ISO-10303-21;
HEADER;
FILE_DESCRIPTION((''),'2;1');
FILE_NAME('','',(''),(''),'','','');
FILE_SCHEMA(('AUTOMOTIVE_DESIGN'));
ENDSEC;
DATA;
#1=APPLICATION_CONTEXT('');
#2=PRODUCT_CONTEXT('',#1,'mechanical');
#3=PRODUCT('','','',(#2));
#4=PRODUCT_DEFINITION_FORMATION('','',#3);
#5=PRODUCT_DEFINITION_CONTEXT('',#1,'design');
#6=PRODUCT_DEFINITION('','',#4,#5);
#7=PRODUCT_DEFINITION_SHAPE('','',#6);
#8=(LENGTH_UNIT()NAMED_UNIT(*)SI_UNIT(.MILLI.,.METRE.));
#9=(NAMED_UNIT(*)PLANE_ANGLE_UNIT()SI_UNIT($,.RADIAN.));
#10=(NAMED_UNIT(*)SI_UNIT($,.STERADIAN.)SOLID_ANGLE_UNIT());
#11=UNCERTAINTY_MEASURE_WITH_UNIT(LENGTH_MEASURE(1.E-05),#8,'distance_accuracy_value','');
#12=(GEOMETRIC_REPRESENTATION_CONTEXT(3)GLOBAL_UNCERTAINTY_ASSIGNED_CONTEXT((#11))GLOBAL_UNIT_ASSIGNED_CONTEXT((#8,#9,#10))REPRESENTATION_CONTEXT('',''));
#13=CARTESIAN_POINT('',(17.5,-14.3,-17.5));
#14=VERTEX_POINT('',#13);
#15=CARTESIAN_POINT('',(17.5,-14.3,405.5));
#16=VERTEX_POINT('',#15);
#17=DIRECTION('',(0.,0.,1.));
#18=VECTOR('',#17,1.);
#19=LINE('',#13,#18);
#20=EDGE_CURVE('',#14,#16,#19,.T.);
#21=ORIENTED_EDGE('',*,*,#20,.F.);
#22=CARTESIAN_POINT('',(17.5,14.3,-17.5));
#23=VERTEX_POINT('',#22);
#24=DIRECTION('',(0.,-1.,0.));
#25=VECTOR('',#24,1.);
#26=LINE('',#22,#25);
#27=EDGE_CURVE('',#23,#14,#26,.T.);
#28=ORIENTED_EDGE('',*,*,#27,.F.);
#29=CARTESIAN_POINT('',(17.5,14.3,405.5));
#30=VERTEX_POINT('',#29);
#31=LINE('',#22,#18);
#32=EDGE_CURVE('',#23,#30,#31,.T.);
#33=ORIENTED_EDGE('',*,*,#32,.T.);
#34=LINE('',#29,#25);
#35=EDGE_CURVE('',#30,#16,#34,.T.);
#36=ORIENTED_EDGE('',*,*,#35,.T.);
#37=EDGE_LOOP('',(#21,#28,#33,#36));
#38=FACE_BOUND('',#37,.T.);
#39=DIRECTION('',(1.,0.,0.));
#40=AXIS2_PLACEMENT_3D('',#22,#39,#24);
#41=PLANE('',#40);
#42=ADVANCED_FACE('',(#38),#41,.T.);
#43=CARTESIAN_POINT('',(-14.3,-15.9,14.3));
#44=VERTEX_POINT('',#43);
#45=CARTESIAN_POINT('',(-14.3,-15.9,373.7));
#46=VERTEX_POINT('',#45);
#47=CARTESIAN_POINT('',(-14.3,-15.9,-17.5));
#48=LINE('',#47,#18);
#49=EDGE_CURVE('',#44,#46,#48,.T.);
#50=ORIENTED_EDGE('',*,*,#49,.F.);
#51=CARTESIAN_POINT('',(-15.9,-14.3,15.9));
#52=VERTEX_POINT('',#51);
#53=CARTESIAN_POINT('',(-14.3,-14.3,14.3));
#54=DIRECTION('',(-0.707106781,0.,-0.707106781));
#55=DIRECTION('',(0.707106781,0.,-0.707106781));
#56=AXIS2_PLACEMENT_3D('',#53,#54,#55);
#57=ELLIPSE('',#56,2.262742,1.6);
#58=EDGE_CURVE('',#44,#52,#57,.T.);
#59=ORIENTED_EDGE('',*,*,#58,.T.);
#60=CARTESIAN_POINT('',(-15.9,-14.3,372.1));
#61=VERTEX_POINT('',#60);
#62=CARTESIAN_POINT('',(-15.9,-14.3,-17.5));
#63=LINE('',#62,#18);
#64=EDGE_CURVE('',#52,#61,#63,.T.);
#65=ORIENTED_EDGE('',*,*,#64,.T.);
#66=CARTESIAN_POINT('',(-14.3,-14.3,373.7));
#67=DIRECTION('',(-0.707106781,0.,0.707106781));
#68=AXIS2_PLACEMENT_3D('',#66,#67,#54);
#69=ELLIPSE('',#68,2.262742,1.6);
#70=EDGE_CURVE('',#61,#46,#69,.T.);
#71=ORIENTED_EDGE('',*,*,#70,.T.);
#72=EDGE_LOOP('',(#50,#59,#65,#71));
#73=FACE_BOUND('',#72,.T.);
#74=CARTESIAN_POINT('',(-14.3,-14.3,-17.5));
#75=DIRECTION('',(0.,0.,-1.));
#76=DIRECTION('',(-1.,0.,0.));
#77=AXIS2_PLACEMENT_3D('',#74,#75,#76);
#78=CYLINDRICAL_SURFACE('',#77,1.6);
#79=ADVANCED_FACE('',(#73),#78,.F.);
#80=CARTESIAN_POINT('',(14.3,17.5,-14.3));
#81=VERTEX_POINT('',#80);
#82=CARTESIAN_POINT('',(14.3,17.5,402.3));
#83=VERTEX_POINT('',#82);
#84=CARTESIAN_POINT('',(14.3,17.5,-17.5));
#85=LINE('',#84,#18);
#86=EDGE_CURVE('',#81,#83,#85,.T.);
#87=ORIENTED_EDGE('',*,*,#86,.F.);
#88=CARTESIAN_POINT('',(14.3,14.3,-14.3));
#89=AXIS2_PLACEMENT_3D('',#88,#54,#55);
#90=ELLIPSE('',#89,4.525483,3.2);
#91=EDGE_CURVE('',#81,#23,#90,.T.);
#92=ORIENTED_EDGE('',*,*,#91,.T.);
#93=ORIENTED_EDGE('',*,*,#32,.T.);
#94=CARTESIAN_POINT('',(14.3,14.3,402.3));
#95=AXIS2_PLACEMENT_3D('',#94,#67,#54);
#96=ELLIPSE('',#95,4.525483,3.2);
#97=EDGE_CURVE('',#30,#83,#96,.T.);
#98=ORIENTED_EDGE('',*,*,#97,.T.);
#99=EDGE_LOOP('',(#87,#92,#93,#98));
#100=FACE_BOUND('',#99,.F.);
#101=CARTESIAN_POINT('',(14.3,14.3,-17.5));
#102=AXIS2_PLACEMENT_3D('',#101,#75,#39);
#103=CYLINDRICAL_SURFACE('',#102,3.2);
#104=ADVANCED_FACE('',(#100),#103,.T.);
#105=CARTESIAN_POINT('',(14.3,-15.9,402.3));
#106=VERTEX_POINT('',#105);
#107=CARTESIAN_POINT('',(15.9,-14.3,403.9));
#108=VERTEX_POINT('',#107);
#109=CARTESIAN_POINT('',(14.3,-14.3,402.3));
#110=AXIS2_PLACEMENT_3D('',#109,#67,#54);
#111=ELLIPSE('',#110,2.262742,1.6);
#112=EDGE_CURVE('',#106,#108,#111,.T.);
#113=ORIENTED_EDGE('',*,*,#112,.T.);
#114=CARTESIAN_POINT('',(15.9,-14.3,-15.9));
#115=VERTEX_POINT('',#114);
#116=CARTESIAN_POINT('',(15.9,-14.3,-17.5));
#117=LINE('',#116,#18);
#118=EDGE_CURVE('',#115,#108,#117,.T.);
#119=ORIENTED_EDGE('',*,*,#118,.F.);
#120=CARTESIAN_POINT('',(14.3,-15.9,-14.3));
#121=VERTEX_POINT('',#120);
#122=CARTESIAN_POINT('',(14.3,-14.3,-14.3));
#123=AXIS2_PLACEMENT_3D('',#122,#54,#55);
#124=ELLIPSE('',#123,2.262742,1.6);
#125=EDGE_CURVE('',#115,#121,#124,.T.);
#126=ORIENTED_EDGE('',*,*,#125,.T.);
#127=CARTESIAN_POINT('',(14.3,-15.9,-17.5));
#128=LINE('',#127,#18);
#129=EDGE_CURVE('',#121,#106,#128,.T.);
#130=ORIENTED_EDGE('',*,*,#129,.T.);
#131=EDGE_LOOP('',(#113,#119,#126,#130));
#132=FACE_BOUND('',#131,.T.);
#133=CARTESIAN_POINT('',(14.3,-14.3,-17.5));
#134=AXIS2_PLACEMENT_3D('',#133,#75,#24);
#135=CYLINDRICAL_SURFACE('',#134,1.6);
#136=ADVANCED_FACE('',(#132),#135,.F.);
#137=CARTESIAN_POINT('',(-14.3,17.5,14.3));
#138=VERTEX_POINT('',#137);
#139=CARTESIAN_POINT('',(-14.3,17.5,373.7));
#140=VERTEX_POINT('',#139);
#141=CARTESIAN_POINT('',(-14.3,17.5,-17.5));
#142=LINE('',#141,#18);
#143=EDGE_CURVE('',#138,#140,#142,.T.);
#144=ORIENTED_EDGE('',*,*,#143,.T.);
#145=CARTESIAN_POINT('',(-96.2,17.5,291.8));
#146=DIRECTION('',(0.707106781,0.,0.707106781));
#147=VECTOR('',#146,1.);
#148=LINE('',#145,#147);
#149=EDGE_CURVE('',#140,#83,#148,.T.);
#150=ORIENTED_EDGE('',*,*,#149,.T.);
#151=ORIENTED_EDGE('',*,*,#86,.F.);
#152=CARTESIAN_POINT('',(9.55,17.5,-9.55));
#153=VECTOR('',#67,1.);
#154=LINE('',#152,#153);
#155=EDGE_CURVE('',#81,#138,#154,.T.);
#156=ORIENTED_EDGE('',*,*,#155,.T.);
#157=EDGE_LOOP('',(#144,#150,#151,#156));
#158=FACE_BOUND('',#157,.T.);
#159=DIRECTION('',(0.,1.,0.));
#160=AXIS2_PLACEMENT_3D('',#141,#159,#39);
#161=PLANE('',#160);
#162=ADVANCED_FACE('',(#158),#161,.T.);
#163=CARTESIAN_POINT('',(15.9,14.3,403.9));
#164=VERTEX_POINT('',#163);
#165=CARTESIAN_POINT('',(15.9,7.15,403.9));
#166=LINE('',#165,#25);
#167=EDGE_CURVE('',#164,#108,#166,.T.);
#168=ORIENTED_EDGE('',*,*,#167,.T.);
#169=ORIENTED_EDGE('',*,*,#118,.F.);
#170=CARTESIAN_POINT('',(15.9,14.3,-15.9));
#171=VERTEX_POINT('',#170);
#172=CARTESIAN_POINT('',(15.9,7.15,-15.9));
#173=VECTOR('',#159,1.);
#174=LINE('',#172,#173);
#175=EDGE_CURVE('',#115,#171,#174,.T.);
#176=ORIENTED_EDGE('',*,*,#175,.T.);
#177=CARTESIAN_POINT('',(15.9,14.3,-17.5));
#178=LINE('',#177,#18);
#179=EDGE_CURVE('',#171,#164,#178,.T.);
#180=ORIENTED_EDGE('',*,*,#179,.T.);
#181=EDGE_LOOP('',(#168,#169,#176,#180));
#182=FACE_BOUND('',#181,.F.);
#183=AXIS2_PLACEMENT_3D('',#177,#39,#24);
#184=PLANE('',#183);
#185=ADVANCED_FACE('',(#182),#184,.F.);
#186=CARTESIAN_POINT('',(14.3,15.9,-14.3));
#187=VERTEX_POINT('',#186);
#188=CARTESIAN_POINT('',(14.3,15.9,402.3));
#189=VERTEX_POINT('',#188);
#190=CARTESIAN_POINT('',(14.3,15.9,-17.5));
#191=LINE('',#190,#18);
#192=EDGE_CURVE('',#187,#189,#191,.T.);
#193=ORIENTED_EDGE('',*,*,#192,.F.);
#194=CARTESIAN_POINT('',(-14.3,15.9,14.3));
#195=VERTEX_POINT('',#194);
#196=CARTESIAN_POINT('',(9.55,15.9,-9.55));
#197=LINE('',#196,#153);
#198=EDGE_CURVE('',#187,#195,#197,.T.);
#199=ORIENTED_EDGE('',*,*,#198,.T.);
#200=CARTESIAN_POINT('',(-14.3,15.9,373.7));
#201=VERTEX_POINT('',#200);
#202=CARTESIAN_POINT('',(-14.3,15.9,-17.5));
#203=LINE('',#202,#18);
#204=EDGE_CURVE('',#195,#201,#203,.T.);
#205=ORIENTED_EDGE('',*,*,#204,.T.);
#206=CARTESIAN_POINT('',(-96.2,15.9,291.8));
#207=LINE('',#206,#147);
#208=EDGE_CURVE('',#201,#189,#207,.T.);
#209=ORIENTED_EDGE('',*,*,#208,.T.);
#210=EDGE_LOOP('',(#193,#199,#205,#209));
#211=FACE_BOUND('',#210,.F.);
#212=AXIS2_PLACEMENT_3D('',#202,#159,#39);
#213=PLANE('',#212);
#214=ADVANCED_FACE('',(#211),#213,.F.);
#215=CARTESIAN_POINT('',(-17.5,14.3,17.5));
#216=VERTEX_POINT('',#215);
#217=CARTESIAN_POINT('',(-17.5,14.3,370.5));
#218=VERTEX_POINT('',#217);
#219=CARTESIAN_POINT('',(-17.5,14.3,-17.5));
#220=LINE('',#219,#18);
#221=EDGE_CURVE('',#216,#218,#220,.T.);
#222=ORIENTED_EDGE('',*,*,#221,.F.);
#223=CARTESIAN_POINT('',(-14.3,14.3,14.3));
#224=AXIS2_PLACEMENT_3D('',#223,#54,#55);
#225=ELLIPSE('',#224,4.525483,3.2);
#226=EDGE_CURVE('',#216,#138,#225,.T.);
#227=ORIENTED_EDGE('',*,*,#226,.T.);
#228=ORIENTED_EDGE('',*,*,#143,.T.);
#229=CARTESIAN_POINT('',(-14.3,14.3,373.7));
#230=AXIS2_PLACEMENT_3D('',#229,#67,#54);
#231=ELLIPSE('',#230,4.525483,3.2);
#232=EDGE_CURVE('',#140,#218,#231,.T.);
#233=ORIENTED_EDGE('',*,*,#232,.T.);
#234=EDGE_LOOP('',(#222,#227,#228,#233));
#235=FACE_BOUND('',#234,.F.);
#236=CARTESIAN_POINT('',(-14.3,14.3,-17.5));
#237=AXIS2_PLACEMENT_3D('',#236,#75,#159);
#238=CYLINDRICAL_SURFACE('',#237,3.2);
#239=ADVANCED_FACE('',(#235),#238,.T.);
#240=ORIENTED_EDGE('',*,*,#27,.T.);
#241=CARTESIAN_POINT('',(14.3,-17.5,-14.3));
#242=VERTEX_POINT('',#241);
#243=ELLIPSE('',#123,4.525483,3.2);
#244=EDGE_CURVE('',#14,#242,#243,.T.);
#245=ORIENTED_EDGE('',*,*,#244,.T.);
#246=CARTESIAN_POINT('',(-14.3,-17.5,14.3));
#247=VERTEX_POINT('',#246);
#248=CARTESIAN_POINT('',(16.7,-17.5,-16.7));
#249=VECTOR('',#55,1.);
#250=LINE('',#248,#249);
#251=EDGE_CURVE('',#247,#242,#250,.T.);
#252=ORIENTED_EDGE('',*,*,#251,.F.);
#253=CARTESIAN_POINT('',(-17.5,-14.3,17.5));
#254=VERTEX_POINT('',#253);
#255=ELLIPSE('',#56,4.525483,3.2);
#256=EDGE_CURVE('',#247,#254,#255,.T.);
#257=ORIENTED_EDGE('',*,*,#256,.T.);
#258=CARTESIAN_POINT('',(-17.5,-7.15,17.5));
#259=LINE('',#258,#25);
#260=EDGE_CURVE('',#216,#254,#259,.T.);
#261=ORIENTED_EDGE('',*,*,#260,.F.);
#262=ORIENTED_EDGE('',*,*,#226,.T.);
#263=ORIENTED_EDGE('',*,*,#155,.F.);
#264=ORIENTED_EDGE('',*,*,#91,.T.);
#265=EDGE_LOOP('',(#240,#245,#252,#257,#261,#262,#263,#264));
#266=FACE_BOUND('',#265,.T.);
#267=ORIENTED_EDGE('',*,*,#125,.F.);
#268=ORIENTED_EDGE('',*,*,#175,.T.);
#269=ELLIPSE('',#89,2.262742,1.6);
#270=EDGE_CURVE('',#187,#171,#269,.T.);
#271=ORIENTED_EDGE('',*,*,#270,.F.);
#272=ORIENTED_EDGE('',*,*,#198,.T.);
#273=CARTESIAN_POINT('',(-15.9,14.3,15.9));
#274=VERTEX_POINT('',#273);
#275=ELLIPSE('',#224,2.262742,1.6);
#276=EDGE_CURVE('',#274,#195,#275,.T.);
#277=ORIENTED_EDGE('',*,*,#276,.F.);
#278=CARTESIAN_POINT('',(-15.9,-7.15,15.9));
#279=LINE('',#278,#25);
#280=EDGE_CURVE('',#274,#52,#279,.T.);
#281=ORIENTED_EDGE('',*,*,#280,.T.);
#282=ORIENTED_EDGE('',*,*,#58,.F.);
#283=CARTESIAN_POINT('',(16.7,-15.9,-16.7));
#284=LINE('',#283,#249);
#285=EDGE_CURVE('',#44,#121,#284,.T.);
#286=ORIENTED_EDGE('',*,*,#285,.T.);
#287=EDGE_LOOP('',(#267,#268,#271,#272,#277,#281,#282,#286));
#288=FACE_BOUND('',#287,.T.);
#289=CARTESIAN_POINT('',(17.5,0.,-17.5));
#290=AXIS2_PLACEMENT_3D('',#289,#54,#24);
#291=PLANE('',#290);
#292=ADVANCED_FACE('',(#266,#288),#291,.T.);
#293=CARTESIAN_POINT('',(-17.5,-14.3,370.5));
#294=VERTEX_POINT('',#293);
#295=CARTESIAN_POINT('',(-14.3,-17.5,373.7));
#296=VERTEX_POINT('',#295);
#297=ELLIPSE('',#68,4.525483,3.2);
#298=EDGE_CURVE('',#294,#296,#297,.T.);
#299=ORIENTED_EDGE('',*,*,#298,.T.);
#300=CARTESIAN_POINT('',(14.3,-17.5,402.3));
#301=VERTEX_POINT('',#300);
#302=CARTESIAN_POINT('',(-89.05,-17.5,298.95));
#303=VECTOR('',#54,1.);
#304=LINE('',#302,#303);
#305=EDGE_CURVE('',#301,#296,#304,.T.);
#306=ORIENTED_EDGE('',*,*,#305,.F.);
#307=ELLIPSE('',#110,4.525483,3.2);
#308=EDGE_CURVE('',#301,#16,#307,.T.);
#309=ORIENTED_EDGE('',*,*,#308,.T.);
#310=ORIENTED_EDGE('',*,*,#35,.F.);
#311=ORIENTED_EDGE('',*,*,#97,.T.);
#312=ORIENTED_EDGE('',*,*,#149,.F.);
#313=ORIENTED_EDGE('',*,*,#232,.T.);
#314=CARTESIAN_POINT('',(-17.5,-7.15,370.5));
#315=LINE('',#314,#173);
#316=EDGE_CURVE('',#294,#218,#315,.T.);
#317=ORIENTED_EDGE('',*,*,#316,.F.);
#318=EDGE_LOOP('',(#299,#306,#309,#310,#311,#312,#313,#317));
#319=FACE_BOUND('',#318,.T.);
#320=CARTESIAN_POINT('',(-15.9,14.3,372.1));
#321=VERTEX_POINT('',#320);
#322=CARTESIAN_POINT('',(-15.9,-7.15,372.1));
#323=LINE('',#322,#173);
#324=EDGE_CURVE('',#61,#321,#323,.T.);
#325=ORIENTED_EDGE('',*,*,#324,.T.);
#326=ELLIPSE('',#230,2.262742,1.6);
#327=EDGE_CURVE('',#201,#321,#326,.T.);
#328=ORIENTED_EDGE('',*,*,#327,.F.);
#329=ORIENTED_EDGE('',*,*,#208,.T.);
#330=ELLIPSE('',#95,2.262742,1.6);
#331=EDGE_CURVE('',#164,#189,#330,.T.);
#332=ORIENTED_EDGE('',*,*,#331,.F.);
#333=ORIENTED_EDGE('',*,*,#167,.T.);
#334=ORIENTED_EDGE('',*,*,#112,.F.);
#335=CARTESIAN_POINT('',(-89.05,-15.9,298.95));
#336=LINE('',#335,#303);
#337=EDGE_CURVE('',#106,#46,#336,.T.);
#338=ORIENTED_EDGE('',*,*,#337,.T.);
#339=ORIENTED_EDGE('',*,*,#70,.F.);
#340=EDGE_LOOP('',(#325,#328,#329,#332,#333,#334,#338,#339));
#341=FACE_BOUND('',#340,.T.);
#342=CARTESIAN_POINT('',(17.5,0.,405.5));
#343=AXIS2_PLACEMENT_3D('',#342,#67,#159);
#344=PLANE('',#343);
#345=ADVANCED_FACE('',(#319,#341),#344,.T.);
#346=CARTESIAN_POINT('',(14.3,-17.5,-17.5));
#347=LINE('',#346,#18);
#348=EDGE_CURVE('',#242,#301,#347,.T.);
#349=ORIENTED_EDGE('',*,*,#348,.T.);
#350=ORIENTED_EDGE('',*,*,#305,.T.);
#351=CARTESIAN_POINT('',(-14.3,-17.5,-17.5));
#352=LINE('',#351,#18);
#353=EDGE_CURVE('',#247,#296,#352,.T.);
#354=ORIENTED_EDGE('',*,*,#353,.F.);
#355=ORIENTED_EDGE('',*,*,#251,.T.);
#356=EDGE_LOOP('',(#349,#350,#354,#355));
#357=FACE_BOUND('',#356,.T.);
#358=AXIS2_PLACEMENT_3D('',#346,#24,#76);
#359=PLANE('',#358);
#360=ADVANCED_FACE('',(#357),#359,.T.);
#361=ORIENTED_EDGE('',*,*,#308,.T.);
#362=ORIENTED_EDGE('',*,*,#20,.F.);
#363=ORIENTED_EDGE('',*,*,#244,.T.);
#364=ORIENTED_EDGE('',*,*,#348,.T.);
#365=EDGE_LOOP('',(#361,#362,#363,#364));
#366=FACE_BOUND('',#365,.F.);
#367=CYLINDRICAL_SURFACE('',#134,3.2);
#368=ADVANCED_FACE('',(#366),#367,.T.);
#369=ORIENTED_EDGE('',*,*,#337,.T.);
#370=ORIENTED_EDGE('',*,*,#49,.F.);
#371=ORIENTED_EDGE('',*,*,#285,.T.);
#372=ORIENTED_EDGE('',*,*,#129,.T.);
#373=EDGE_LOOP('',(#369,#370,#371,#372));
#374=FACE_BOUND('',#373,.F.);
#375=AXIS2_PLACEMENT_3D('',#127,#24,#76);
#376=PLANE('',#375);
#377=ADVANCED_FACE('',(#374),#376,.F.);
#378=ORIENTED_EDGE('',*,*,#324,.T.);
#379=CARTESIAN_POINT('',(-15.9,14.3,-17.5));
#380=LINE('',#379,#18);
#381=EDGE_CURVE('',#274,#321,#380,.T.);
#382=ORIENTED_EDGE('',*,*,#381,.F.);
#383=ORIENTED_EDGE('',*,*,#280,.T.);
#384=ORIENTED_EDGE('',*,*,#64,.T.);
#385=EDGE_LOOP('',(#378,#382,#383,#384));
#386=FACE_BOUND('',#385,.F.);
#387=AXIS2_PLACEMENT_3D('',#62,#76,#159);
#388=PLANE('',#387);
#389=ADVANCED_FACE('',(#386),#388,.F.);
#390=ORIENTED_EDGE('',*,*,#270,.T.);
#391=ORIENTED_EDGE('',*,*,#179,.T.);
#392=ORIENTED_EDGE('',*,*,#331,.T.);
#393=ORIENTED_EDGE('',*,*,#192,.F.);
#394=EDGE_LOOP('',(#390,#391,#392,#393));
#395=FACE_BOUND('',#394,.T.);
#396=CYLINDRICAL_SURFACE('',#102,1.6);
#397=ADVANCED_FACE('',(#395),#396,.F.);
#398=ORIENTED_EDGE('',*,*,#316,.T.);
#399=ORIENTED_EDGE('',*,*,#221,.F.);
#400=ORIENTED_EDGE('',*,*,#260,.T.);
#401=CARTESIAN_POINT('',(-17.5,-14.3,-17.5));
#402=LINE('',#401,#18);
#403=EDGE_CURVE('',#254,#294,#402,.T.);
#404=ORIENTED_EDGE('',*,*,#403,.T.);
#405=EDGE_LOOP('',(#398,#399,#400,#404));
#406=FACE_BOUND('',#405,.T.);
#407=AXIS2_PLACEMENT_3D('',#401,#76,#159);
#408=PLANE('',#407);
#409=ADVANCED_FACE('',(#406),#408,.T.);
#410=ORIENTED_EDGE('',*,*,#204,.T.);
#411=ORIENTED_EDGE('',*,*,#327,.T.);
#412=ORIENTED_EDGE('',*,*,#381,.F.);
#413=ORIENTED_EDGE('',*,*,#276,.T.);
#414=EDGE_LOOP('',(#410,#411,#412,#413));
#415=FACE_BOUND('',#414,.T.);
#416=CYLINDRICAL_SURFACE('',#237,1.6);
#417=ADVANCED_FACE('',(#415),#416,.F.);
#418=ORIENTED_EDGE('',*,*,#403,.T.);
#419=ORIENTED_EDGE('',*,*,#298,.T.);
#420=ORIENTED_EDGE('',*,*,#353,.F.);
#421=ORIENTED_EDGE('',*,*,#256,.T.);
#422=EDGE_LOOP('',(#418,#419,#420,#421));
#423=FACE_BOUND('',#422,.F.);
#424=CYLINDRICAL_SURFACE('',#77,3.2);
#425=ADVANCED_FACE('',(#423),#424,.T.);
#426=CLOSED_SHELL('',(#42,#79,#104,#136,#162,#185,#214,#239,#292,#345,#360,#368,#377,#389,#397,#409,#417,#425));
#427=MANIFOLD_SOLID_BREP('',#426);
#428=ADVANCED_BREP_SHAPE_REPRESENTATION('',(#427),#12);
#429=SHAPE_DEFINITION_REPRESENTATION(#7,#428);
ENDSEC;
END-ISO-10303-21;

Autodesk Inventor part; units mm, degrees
ref_plane "Start plane" through (0, 0, -17.5) normal (0, 0, 1) x (1, 0, 0)
ref_plane "End plane" through (0, 0, 405.5) normal (0, 0, 1) x (1, 0, 0)
sketch "Sketch" plane through (0, 0, 0) normal (0, 0, 1) x (1, 0, 0)
  line L0 (-17.5, -14.3) -> (-17.5, 14.3)
  line L1 (-14.3, 17.5) -> (14.3, 17.5)
  line L2 (17.5, 14.3) -> (17.5, -14.3)
  line L3 (14.3, -17.5) -> (-14.3, -17.5)
  arc A0 (-17.5, -14.3) -> (-14.3, -17.5) centre (-14.3, -14.3) ccw
  arc A1 (-14.3, 17.5) -> (-17.5, 14.3) centre (-14.3, 14.3) ccw
  arc A2 (17.5, 14.3) -> (14.3, 17.5) centre (14.3, 14.3) ccw
  arc A3 (14.3, -17.5) -> (17.5, -14.3) centre (14.3, -14.3) ccw
  arc A4 (-14.3, 15.9) -> (-15.9, 14.3) centre (-14.3, 14.3) ccw
  line L4 (-14.3, 15.9) -> (14.3, 15.9)
  arc A5 (15.9, 14.3) -> (14.3, 15.9) centre (14.3, 14.3) ccw
  line L5 (15.9, 14.3) -> (15.9, -14.3)
  arc A6 (14.3, -15.9) -> (15.9, -14.3) centre (14.3, -14.3) ccw
  line L6 (14.3, -15.9) -> (-14.3, -15.9)
  arc A7 (-15.9, -14.3) -> (-14.3, -15.9) centre (-14.3, -14.3) ccw
  line L7 (-15.9, -14.3) -> (-15.9, 14.3)
  line L8 (0, 25.4278) -> (0, -25.4278) construction
  line L9 (-25.4278, 0) -> (25.4278, 0) construction
  dimension "d7" = 3.2
  dimension "d10" = 35
  dimension "d11" = 35
  dimension "d12" = 1.6
  dimension "d15" = 17.5
  dimension "d16" = 17.5
extrude "Body" add sketch "Sketch" along normal up to surface (423 mm away) from surface at -17.5
sketch "Sketch3" plane through (0, 0, 0) normal (0, 0, 1) x (1, 0, 0)
  line L0 (0, 0) -> (10, 0)
ref_plane "Work Plane3" through (0, 0, 0) normal (0, -1, 0) x (1, 0, 0)
sketch "Sketch4" plane through (0, 0, 0) normal (0, -1, 0) x (1, 0, 0)
  line L0 (-2, -17.5) -> (12, -17.5)
  line L1 (-2, 405.5) -> (12, 405.5)
  dimension "d18" = 423
ref_plane "Work Plane11" through (-8.5964, 0, 403.2431) normal (-0.4912, 0, 0.871) x (0.871, 0, 0.4912)
split "Split5" plane through (-8.5964, 0, 403.2431) removes the side toward (-0.4912, 0, 0.871)
ref_plane "Work Plane12" through (-696.5964, 0, 372.7569) normal (-0.4912, 0, -0.871) x (-0.871, 0, 0.4912)
split "Split6" plane through (-696.5964, 0, 372.7569) removes the side toward (-0.4912, 0, -0.871)
ref_plane "Work Plane13" through (17.5, 0, 405.5) normal (-0.7071, 0, 0.7071) x (0.7071, 0, 0.7071)
split "Split7" plane through (17.5, 0, 405.5) removes the side toward (-0.7071, 0, 0.7071)
ref_plane "Work Plane14" through (17.5, 0, -17.5) normal (-0.7071, 0, -0.7071) x (-0.7071, 0, 0.7071)
split "Split8" plane through (17.5, 0, -17.5) removes the side toward (-0.7071, 0, -0.7071)
equation "\"d7\" = G_IR"
equation "\"d10\" = G_H"
equation "\"d11\" = G_W"
equation "\"d12\" = G_T"
equation "\"d15\" = 0.5 * d10"
equation "\"d16\" = 0.5 * d11"
equation "\"d3\" = G_L"
equation "\"G_W\" = 35"
equation "\"G_H\" = 35"
equation "\"G_T\" = 1.6"
equation "\"G_IR\" = 3.2"
equation "\"G_L\" = d18"
equation "\"G_OFFSET_START\" = 17.5"
equation "\"G_OFFSET_END\" = 17.5"
equation "\"d13\" = -G_OFFSET_START"
equation "\"d14\" = G_OFFSET_END + B_L"
equation "\"B_L\" = 388"
properties part number "AS 1163 - C350L0 35x35x1.6 SHS - 423" material "Steel, Mild"
